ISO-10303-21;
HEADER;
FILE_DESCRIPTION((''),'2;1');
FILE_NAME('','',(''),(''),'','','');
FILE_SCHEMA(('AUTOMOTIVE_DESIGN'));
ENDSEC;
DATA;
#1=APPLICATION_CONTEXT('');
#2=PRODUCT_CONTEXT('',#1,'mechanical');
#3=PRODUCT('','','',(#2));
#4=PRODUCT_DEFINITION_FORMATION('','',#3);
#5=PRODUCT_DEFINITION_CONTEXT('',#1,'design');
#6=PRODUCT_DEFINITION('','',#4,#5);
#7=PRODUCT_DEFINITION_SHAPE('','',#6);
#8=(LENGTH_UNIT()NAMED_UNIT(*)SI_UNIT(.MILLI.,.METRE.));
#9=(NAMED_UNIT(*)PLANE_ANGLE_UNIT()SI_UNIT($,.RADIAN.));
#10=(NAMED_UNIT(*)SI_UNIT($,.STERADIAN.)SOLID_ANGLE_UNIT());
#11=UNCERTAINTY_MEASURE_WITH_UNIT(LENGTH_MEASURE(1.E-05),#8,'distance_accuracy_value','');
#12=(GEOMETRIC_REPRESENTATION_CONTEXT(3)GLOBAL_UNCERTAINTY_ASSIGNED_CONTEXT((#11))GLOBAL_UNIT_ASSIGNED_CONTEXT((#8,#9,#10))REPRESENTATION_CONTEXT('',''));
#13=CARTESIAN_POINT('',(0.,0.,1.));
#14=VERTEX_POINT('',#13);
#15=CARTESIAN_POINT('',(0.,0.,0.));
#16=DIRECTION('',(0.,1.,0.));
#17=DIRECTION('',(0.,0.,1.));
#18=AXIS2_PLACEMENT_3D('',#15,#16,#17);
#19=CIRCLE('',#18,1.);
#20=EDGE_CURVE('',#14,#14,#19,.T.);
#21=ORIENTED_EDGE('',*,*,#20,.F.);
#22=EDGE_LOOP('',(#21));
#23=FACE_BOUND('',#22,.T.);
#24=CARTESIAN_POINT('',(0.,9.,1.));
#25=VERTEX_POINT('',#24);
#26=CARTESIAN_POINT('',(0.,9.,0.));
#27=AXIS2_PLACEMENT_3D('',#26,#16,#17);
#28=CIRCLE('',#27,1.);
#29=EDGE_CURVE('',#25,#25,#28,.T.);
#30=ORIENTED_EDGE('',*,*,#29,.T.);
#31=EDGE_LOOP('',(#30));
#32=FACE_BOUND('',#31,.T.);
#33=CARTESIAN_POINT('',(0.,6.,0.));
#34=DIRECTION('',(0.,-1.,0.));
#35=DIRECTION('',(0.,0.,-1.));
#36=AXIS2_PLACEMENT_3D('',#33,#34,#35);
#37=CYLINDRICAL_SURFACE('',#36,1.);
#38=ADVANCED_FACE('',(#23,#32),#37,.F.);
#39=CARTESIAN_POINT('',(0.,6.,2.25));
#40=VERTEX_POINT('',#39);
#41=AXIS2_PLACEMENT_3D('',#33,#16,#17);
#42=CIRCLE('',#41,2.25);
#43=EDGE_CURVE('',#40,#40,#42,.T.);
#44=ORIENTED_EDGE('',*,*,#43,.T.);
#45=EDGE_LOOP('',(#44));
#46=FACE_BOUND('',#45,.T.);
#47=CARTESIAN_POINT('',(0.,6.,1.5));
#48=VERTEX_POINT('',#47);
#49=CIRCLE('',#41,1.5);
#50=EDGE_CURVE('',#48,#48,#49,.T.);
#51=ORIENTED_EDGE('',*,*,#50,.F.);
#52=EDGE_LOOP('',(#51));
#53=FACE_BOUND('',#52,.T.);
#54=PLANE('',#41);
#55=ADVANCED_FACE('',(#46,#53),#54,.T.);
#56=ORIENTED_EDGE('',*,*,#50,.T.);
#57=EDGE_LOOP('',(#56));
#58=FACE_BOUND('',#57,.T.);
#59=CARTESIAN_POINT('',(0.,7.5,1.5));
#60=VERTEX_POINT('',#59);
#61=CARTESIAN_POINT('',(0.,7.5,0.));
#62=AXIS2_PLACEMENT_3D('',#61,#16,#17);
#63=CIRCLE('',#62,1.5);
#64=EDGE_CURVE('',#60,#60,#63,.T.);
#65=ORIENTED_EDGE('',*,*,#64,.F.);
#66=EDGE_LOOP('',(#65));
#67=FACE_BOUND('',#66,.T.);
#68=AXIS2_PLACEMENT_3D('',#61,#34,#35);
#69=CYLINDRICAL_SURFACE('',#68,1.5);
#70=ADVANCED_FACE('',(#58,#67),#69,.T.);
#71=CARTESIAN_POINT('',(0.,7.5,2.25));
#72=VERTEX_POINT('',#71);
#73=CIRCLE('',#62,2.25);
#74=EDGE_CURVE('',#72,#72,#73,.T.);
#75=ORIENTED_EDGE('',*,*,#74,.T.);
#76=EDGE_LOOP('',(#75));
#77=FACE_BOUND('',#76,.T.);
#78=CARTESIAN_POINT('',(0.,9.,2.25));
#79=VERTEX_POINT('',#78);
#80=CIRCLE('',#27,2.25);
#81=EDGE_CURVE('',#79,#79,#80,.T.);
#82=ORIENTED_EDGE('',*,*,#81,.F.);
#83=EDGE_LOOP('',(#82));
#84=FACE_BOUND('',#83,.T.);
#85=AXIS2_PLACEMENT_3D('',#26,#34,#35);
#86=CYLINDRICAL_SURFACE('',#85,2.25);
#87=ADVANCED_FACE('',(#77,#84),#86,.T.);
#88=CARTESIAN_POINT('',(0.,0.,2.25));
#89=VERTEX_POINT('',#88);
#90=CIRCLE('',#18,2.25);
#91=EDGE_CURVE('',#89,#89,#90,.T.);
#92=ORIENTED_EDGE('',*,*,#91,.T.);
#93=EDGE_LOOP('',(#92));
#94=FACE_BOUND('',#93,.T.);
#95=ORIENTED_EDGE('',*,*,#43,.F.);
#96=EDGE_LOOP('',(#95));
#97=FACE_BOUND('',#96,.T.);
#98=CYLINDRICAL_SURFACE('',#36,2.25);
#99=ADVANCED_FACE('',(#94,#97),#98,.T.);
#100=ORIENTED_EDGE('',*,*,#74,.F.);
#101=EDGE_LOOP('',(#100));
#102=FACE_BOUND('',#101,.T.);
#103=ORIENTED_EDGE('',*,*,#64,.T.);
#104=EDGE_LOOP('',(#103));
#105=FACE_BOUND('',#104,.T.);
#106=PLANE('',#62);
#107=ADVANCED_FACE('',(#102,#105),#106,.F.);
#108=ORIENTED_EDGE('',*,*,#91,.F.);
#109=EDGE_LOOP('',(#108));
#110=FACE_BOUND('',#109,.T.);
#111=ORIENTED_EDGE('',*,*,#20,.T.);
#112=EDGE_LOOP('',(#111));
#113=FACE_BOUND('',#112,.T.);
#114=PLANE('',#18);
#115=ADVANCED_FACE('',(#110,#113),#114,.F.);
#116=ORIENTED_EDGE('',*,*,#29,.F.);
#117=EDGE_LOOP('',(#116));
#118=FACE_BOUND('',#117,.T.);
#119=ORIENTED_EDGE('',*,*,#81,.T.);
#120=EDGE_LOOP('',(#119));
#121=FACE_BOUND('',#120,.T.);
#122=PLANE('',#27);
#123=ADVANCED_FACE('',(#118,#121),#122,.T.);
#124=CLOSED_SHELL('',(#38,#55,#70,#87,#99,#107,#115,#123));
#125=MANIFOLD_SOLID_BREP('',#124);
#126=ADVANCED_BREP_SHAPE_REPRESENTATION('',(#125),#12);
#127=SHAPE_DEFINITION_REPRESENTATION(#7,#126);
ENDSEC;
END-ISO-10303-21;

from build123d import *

# Parameters (mm, degrees)
SKETCH1_R           = 2.25
SKETCH1_R_2         = 1
BOSS_EXTRUDE1_DEPTH = 6
SKETCH2_R           = 1.5
SKETCH2_R_2         = 1
BOSS_EXTRUDE2_DEPTH = 1.5
SKETCH3_R           = 2.25
SKETCH3_R_2         = 1
BOSS_EXTRUDE3_DEPTH = 1.5


with BuildPart() as part:
    # Sketch1 → Boss-Extrude1 (new body)
    with BuildSketch(Plane(origin=(0, 0, 0), x_dir=(1, 0, 0), z_dir=(0, 1, 0))):
        Circle(SKETCH1_R)
        Circle(SKETCH1_R_2, mode=Mode.SUBTRACT)
    extrude(amount=BOSS_EXTRUDE1_DEPTH)

    # Sketch2 → Boss-Extrude2 (add)
    with BuildSketch(Plane(origin=(0, 6, 0), x_dir=(1, 0, 0), z_dir=(0, 1, 0))):
        Circle(SKETCH2_R)
        Circle(SKETCH2_R_2, mode=Mode.SUBTRACT)
    extrude(amount=BOSS_EXTRUDE2_DEPTH)

    # Sketch3 → Boss-Extrude3 (add)
    with BuildSketch(Plane(origin=(0, 7.5, 0), x_dir=(1, 0, 0), z_dir=(0, 1, 0))):
        Circle(SKETCH3_R)
        Circle(SKETCH3_R_2, mode=Mode.SUBTRACT)
    extrude(amount=BOSS_EXTRUDE3_DEPTH)


solid = part.part
